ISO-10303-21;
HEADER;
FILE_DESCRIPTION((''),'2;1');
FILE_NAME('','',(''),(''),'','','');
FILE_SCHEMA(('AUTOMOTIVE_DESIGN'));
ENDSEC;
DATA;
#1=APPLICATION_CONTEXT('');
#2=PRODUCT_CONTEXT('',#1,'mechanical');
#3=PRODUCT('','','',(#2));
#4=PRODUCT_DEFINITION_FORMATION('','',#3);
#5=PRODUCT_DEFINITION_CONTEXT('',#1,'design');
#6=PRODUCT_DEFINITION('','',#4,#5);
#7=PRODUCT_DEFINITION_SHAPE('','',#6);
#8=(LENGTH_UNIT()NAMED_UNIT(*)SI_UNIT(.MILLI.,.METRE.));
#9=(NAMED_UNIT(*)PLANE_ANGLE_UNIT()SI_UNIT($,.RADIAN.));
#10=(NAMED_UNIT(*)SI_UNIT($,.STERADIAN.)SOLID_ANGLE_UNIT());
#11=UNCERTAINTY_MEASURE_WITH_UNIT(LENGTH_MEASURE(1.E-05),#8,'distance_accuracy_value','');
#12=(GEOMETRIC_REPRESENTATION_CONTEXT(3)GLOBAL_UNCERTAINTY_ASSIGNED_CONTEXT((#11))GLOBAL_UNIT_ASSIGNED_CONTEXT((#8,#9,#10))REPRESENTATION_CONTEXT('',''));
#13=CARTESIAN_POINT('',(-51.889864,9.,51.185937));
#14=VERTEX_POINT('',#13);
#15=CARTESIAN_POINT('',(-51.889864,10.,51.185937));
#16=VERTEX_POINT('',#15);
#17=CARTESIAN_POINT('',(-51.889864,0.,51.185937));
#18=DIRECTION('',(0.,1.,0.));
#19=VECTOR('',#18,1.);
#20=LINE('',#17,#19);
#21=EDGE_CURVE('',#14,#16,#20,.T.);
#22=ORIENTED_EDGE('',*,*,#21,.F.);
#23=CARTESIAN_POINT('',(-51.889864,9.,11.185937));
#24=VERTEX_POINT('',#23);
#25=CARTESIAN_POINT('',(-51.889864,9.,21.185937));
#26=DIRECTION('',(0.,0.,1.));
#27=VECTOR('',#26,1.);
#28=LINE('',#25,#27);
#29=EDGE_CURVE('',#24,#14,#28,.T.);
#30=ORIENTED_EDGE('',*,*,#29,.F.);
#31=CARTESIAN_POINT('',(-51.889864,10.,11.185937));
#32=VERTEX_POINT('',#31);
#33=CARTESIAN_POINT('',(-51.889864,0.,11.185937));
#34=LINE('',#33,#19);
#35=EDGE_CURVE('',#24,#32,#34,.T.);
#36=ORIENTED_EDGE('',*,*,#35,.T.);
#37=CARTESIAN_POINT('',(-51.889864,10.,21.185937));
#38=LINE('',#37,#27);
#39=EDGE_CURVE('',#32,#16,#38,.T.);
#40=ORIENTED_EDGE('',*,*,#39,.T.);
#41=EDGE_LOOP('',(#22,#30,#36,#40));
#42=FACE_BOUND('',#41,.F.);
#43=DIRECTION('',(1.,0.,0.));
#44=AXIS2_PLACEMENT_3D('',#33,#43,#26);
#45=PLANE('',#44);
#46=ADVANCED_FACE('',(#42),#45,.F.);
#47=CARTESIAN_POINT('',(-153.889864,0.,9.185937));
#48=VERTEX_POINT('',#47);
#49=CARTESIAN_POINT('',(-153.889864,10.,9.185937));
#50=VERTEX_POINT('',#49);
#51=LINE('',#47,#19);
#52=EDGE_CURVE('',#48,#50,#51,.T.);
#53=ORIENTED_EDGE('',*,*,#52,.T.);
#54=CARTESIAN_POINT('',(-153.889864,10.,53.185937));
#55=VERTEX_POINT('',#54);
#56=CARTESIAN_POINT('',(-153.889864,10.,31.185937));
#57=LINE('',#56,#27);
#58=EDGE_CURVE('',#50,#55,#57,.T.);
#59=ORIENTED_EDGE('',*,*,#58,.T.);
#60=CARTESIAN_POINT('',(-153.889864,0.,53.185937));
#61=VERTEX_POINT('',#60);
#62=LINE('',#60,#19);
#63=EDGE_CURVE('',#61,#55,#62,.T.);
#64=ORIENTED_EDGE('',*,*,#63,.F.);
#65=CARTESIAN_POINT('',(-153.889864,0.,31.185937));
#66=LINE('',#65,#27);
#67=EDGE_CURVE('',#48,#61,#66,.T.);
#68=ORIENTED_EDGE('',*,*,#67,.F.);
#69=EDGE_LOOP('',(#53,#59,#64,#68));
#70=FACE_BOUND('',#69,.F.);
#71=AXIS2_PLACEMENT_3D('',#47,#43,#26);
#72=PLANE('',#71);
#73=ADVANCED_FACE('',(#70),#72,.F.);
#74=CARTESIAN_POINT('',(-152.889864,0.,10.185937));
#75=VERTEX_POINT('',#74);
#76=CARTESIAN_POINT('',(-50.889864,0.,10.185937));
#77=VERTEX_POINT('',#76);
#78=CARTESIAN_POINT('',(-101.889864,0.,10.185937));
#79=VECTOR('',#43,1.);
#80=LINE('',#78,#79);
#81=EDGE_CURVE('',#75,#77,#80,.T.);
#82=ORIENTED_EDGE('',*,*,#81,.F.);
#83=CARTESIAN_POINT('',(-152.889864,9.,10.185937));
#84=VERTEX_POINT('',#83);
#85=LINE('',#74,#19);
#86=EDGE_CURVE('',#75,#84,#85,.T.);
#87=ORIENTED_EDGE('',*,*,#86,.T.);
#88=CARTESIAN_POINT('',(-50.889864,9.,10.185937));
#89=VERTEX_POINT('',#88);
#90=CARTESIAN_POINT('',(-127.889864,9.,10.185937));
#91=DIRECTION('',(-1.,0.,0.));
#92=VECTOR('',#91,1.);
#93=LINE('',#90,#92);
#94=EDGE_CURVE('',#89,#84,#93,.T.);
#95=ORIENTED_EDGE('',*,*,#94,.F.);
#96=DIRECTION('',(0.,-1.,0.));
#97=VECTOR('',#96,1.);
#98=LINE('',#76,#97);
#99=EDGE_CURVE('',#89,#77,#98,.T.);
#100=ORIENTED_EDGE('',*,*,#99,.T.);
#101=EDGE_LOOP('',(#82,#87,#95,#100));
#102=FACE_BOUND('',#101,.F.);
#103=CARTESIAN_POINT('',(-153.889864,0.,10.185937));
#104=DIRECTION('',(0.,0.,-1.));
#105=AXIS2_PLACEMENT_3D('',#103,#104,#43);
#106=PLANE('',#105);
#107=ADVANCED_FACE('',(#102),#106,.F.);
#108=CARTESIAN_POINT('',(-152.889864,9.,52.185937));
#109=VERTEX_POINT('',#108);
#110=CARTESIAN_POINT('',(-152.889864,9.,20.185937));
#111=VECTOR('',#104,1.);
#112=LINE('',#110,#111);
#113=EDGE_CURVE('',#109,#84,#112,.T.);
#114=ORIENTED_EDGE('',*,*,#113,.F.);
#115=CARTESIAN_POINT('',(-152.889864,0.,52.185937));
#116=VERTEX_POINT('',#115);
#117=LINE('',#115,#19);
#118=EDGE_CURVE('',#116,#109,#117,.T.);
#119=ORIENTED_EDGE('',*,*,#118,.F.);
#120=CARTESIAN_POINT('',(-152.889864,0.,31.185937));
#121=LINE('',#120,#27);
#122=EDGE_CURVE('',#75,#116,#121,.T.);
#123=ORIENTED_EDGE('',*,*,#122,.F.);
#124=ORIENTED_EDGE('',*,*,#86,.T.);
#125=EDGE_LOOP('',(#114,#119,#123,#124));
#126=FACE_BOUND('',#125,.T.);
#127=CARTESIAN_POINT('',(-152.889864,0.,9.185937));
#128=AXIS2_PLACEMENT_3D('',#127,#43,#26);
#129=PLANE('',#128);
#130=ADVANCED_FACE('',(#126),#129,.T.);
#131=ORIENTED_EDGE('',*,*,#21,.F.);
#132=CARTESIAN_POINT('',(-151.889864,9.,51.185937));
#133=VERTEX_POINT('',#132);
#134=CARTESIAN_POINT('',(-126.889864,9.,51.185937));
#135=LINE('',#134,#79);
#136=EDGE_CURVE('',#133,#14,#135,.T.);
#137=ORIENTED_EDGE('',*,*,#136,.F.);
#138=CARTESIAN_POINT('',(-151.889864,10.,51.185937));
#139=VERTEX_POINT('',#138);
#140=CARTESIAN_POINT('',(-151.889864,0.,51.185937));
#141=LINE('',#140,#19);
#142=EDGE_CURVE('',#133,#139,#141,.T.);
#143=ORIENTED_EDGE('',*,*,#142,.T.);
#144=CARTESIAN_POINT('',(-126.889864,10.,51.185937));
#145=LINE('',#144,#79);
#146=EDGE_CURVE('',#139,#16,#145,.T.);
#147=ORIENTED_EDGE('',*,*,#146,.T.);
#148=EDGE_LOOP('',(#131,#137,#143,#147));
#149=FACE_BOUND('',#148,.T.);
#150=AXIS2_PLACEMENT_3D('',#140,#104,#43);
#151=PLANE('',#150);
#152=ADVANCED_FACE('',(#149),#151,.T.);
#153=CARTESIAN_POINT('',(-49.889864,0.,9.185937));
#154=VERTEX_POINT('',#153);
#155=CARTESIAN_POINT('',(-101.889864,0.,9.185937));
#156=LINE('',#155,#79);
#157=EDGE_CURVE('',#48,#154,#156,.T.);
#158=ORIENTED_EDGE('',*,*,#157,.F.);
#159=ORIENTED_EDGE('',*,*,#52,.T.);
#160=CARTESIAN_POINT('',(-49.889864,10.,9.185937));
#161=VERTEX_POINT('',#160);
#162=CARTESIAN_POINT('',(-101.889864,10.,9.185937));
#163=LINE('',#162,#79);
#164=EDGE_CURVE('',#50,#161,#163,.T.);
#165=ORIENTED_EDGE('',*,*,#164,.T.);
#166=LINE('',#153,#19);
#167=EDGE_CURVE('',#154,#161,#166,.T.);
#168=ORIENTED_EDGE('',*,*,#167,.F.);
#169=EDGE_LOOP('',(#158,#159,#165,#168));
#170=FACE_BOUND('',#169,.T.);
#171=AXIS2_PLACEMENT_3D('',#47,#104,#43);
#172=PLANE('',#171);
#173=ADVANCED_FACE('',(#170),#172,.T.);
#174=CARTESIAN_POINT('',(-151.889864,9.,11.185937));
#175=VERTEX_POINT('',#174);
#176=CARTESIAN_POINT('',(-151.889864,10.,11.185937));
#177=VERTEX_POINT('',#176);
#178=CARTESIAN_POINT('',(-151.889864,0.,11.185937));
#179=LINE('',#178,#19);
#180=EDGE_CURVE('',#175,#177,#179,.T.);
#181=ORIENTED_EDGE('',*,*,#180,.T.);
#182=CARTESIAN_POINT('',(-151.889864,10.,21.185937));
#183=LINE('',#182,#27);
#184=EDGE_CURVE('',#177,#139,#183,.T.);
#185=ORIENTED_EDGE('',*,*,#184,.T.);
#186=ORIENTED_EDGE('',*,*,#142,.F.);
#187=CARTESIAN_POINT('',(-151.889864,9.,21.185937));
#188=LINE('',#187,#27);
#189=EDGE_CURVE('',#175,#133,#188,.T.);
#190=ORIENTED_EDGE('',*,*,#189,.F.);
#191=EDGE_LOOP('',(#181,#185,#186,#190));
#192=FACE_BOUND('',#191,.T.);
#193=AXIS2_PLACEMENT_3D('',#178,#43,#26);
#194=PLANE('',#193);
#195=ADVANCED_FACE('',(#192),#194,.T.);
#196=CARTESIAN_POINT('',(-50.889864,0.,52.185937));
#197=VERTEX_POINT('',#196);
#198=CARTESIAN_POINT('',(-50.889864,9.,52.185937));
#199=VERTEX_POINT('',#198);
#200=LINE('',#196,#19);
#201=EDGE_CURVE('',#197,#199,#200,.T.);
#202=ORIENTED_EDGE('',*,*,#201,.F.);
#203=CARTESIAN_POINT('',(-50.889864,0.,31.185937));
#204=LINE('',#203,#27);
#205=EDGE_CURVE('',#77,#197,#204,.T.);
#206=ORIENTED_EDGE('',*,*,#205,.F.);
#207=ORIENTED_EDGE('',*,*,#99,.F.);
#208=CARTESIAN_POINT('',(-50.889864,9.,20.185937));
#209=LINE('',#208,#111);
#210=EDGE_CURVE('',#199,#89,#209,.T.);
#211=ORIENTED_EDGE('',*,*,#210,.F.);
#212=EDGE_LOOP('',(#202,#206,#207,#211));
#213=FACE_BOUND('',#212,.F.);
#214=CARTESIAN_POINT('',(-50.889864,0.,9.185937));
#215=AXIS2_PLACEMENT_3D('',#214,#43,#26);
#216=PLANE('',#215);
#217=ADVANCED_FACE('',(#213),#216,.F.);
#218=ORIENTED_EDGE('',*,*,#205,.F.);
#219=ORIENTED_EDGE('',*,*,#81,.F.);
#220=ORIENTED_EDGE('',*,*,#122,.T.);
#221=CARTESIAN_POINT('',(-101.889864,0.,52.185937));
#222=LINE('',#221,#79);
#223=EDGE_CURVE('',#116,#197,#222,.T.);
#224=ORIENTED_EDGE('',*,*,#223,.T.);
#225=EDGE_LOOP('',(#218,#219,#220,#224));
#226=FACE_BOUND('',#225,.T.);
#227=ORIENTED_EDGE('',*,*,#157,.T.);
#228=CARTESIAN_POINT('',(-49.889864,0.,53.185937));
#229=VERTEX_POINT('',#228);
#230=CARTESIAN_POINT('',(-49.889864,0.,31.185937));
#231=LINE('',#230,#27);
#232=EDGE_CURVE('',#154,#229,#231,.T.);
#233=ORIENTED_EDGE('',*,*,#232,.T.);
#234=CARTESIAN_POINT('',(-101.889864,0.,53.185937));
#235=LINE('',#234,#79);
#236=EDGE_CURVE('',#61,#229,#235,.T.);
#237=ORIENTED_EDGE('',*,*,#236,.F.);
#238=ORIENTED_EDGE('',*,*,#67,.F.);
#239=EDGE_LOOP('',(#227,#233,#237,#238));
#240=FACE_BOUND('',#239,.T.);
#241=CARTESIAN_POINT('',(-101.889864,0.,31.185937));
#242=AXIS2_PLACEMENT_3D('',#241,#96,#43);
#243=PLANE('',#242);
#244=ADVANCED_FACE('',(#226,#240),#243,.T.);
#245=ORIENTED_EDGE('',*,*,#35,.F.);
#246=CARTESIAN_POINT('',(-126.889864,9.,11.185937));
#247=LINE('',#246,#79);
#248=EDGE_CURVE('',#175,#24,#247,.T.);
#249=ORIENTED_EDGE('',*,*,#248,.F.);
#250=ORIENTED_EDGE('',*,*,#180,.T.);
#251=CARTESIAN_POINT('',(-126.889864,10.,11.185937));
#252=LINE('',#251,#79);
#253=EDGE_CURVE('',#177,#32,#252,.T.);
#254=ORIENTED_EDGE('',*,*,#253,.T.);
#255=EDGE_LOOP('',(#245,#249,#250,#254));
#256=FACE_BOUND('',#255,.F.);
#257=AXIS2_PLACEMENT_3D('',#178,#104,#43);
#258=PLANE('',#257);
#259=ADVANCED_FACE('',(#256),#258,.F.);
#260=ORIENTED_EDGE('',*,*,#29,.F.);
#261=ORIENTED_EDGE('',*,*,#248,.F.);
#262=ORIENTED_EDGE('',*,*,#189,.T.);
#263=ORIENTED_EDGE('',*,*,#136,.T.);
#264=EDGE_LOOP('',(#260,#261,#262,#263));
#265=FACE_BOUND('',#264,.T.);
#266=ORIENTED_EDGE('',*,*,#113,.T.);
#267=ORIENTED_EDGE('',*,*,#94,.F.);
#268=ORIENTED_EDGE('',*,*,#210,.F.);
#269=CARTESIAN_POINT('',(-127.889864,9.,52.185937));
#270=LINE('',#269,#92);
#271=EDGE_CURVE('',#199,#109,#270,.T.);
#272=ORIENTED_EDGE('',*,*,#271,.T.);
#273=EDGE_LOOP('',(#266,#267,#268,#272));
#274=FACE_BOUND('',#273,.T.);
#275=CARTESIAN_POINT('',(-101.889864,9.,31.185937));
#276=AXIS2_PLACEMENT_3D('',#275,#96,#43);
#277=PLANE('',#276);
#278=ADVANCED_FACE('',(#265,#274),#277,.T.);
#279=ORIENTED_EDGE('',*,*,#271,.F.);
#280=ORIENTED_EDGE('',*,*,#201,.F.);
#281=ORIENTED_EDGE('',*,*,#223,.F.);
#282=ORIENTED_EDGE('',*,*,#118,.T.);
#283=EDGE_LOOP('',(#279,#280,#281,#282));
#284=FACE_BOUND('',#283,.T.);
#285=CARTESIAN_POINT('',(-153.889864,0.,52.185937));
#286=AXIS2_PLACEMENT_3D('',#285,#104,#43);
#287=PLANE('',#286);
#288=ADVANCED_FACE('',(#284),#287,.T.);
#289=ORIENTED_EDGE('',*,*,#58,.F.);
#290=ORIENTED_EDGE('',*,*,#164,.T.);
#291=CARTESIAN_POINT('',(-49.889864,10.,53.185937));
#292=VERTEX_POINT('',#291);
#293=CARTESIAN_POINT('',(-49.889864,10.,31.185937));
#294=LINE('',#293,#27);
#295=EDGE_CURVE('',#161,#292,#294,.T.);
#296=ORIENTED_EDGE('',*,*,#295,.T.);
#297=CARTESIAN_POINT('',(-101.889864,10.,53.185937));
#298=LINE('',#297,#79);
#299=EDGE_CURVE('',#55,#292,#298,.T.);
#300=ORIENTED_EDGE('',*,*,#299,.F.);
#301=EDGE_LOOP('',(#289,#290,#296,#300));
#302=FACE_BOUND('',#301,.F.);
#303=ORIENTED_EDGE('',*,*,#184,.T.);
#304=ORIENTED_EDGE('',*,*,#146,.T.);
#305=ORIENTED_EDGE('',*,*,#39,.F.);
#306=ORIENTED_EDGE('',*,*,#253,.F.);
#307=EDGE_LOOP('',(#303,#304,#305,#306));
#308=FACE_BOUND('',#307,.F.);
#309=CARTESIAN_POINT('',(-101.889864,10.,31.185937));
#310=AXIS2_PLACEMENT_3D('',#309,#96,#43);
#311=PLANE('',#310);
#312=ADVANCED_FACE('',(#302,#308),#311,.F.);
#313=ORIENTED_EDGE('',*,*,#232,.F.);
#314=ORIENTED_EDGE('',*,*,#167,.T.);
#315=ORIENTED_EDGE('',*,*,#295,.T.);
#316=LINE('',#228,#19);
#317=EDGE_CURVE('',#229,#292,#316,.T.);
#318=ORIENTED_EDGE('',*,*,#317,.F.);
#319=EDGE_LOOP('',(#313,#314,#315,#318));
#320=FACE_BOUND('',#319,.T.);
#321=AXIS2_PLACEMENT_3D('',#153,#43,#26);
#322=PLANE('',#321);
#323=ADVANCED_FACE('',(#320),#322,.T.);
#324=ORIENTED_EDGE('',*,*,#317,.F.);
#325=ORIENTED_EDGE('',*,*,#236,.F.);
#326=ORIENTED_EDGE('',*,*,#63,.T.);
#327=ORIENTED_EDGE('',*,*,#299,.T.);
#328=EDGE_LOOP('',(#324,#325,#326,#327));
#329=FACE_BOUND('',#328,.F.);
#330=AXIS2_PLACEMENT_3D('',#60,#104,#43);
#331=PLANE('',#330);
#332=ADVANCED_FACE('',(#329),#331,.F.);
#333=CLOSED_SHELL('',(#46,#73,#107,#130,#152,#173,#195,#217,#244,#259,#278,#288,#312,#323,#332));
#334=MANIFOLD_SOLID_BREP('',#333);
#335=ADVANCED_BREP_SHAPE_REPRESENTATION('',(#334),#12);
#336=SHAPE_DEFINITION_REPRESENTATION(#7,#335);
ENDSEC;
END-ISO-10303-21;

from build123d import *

# Parameters (mm, degrees)
F0_W     = 104
F0_H     = 44
F0_W_2   = 100
F0_H_2   = 40
F1_DEPTH = 10
F2_T     = -1
F3_DEPTH = 25


with BuildPart() as f1:
    # F0 (on Front) → F1 (new body)
    with BuildSketch(Plane.XZ):
        with Locations((-101.889864, 31.185937)):
            Rectangle(F0_W, F0_H)
        with Locations((-101.889864, 31.185937)):
            Rectangle(F0_W_2, F0_H_2, mode=Mode.SUBTRACT)
        with Locations((-101.889864, 31.185937)):
            Rectangle(F0_W_2, F0_H_2)
    extrude(amount=-F1_DEPTH)

    # F2
    f2_openings = [f1.faces().sort_by_distance(p)[0] for p in [
        (-101.889864, 0, 31.185937),
    ]]
    offset(amount=F2_T, openings=f2_openings)

    # F0 (on Front) → F3 (cut)
    with BuildSketch(Plane.XZ):
        with Locations((-101.889864, 31.185937)):
            Rectangle(F0_W_2, F0_H_2)
    extrude(amount=-F3_DEPTH, mode=Mode.SUBTRACT)


solid = f1.part
